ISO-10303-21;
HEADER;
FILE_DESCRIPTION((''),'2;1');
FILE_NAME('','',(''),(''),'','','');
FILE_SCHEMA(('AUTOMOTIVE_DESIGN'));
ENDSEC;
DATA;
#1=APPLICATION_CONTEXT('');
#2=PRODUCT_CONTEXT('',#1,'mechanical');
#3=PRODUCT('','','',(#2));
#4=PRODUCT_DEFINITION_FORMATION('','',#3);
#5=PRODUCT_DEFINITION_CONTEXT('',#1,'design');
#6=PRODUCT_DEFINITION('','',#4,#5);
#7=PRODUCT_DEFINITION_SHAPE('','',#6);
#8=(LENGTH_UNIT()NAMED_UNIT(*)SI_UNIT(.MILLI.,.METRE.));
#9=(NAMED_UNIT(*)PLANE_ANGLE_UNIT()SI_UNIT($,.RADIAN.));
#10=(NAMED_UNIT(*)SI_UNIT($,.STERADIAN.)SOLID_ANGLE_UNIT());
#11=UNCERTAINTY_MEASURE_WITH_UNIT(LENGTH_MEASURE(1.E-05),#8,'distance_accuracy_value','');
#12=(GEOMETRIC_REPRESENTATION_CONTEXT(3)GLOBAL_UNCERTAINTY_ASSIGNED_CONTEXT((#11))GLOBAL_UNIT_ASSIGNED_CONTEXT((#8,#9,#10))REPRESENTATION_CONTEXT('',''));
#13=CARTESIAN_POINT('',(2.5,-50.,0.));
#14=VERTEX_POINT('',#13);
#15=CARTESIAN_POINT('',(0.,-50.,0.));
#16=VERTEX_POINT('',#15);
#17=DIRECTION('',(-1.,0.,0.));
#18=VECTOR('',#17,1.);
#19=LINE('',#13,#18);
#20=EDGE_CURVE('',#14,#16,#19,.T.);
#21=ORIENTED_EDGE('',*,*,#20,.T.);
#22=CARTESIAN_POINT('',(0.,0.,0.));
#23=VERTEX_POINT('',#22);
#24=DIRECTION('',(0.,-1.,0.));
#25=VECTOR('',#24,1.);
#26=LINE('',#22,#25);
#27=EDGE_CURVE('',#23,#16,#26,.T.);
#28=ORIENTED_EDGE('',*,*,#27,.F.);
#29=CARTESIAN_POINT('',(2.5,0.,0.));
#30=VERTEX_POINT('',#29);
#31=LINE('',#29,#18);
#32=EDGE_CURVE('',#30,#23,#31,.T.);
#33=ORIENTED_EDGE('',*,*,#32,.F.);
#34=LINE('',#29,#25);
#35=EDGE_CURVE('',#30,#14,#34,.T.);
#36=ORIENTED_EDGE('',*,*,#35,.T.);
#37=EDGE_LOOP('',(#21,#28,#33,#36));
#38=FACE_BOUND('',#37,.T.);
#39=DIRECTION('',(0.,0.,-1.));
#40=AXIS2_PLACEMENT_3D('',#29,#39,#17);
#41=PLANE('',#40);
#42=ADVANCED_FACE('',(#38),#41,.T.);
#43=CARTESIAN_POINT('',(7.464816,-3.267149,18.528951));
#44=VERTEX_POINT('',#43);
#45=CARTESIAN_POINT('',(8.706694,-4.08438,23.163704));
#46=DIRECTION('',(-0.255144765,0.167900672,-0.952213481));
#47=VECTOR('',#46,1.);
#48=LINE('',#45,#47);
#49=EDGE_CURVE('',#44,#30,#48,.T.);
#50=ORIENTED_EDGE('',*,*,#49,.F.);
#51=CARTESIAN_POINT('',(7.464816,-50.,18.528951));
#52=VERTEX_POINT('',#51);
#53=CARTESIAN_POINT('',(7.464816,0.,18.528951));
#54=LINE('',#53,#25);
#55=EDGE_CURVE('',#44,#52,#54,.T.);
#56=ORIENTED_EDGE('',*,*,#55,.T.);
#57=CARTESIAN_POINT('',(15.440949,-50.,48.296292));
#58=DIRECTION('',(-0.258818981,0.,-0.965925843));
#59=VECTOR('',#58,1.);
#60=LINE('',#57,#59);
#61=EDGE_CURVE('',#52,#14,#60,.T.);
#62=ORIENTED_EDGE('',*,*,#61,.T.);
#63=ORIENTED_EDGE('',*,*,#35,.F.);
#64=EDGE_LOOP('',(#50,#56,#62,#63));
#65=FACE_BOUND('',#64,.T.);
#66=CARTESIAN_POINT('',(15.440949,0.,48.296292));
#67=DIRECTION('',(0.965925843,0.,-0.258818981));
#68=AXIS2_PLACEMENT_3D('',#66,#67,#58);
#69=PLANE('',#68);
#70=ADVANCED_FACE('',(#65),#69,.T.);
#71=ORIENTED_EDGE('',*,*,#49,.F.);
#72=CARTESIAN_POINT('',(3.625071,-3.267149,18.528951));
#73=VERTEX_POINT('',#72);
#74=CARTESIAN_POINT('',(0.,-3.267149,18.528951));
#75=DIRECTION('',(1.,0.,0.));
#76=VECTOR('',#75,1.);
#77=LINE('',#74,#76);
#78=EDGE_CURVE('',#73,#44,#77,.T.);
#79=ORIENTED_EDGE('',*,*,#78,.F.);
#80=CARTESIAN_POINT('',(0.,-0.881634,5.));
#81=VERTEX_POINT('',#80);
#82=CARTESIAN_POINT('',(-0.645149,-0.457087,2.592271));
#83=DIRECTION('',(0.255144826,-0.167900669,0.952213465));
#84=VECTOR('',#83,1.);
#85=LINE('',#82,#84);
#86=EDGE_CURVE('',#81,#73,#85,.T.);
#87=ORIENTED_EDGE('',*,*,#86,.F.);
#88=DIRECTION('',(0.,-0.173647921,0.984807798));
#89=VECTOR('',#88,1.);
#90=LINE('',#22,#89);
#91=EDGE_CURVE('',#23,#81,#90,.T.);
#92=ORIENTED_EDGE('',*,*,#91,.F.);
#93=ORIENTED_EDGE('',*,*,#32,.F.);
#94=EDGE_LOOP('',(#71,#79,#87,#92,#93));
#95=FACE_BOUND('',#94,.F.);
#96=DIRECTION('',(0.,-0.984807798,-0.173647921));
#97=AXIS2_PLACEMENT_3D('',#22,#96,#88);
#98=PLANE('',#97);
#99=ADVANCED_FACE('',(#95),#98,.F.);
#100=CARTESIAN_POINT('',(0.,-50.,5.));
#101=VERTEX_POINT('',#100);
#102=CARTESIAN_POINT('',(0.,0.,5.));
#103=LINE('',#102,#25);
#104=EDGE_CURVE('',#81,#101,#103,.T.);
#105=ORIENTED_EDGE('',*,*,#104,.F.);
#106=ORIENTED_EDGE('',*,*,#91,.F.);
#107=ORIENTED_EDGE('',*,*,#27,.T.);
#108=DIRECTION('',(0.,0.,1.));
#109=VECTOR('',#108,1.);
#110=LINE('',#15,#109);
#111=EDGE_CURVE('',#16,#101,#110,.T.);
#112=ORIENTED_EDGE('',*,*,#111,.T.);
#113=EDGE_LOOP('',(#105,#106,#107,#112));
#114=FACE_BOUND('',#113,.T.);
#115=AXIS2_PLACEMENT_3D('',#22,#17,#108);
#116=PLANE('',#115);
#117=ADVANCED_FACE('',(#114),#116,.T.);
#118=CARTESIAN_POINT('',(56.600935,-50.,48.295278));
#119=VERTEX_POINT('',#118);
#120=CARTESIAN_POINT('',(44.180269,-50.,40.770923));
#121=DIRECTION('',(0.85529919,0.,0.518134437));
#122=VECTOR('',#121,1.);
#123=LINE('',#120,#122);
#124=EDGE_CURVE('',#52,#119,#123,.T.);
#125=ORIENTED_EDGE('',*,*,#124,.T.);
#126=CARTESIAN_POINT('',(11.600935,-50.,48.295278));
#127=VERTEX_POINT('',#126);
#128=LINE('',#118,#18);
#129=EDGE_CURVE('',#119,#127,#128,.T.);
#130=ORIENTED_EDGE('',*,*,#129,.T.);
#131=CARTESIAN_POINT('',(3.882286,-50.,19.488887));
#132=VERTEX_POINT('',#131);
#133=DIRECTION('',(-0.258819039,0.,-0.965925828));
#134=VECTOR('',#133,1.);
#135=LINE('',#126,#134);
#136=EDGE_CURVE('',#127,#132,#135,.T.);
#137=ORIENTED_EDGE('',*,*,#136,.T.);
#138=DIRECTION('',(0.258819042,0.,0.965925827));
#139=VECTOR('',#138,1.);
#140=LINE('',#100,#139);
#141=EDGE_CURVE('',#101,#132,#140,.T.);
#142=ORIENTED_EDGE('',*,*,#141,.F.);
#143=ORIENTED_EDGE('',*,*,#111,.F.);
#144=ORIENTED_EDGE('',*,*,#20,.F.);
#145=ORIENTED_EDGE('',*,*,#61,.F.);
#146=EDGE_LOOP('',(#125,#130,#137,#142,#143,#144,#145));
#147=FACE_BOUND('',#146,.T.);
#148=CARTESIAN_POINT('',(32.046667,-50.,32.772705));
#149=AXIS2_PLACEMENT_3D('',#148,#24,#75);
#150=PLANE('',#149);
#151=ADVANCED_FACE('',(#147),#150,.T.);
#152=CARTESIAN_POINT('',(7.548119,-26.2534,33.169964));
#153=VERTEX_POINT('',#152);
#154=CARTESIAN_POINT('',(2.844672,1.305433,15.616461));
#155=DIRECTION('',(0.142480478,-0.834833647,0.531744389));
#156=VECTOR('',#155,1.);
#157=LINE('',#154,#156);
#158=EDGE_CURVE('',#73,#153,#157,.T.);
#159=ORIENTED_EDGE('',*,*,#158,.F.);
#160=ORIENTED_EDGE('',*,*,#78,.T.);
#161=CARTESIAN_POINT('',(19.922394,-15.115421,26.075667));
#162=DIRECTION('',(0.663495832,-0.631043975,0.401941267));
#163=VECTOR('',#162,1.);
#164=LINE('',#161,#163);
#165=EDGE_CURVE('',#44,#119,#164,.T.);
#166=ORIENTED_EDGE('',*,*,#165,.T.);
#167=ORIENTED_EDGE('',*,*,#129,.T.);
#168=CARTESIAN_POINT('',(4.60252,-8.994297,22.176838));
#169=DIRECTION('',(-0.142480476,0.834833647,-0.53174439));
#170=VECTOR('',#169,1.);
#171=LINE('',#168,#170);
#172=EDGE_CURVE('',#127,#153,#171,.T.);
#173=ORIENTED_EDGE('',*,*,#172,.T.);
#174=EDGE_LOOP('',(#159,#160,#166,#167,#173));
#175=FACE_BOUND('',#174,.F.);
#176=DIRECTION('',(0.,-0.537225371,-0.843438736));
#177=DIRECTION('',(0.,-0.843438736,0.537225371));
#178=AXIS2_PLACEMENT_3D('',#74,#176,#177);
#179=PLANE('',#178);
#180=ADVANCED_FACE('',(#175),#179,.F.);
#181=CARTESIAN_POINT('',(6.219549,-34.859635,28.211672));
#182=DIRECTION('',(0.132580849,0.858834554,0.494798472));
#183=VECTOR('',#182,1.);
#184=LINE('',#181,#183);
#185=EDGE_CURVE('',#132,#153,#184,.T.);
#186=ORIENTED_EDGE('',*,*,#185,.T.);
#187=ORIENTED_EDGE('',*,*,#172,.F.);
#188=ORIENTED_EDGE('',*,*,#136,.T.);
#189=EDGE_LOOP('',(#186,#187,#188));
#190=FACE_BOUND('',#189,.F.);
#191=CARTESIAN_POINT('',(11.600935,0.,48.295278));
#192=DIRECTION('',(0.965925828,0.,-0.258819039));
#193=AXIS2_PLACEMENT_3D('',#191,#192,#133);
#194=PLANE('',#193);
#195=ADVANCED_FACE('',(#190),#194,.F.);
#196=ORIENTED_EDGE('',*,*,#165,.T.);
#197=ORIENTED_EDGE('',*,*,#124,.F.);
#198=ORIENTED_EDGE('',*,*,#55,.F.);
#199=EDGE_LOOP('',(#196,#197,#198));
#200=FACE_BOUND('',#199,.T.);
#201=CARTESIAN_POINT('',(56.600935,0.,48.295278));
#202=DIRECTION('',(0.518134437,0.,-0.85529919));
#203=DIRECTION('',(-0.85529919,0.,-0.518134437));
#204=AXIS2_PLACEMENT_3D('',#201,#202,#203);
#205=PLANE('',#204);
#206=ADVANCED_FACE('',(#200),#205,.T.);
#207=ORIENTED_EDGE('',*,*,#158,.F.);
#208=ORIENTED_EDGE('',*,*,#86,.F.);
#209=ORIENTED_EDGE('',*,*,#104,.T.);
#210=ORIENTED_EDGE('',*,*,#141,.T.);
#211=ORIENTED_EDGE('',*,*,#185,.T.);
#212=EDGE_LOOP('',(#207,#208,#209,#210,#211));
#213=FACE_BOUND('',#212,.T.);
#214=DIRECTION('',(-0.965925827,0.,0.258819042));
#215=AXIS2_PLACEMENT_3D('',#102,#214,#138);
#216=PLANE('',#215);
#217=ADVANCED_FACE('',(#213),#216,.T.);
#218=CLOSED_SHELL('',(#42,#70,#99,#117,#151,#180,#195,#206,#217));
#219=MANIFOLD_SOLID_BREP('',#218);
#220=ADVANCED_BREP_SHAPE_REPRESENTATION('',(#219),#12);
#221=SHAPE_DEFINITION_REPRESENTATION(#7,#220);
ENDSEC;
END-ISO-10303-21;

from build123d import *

# Parameters (mm, degrees)
PAD_DEPTH       = 50
POCKET_DEPTH    = 5
PAD001_DEPTH    = 50
POCKET002_DEPTH = 80
POCKET003_DEPTH = 100


with BuildPart() as part:
    # Sketch → Pad (new body)
    with BuildSketch(Plane.XZ):
        Polygon((0, 5), (12.940952, 53.296291), (15.440949, 48.296292), (2.5, 0), (0, 0), align=None)
    extrude(amount=PAD_DEPTH)

    # Sketch001 (on Face3 of Pad) → Pocket (cut)
    with BuildSketch(Plane(origin=(-1.25, 0, 0.334936), x_dir=(-0.258819, 0, -0.965926), z_dir=(-0.965926, 0, 0.258819))):
        Polygon((-54.829629, 0), (-54.829629, 50), (-19.829629, 50), (-49.652199, 0), align=None)
    extrude(amount=-POCKET_DEPTH, mode=Mode.SUBTRACT)

    # Sketch002 → Pad001 (join)
    with BuildSketch(Plane.XZ):
        Polygon((11.600935, 48.295278), (3.882286, 19.488887), (7.464816, 18.528951), (56.600935, 18.528951), (56.600935, 48.295278), align=None)
    extrude(amount=PAD001_DEPTH)

    # Sketch005 → Pocket002 (cut)
    with BuildSketch(Plane.YZ):
        Polygon((0, 48.295278), (0, 0), (-3.267149, 18.528951), (-50, 48.295278), align=None)
    extrude(amount=POCKET002_DEPTH, mode=Mode.SUBTRACT)

    # Sketch007 → Pocket003 (cut)
    with BuildSketch(Plane.XZ):
        Polygon((7.464816, 18.528951), (56.600935, 18.528951), (56.600935, 48.295278), align=None)
    extrude(amount=POCKET003_DEPTH, mode=Mode.SUBTRACT)


solid = part.part
